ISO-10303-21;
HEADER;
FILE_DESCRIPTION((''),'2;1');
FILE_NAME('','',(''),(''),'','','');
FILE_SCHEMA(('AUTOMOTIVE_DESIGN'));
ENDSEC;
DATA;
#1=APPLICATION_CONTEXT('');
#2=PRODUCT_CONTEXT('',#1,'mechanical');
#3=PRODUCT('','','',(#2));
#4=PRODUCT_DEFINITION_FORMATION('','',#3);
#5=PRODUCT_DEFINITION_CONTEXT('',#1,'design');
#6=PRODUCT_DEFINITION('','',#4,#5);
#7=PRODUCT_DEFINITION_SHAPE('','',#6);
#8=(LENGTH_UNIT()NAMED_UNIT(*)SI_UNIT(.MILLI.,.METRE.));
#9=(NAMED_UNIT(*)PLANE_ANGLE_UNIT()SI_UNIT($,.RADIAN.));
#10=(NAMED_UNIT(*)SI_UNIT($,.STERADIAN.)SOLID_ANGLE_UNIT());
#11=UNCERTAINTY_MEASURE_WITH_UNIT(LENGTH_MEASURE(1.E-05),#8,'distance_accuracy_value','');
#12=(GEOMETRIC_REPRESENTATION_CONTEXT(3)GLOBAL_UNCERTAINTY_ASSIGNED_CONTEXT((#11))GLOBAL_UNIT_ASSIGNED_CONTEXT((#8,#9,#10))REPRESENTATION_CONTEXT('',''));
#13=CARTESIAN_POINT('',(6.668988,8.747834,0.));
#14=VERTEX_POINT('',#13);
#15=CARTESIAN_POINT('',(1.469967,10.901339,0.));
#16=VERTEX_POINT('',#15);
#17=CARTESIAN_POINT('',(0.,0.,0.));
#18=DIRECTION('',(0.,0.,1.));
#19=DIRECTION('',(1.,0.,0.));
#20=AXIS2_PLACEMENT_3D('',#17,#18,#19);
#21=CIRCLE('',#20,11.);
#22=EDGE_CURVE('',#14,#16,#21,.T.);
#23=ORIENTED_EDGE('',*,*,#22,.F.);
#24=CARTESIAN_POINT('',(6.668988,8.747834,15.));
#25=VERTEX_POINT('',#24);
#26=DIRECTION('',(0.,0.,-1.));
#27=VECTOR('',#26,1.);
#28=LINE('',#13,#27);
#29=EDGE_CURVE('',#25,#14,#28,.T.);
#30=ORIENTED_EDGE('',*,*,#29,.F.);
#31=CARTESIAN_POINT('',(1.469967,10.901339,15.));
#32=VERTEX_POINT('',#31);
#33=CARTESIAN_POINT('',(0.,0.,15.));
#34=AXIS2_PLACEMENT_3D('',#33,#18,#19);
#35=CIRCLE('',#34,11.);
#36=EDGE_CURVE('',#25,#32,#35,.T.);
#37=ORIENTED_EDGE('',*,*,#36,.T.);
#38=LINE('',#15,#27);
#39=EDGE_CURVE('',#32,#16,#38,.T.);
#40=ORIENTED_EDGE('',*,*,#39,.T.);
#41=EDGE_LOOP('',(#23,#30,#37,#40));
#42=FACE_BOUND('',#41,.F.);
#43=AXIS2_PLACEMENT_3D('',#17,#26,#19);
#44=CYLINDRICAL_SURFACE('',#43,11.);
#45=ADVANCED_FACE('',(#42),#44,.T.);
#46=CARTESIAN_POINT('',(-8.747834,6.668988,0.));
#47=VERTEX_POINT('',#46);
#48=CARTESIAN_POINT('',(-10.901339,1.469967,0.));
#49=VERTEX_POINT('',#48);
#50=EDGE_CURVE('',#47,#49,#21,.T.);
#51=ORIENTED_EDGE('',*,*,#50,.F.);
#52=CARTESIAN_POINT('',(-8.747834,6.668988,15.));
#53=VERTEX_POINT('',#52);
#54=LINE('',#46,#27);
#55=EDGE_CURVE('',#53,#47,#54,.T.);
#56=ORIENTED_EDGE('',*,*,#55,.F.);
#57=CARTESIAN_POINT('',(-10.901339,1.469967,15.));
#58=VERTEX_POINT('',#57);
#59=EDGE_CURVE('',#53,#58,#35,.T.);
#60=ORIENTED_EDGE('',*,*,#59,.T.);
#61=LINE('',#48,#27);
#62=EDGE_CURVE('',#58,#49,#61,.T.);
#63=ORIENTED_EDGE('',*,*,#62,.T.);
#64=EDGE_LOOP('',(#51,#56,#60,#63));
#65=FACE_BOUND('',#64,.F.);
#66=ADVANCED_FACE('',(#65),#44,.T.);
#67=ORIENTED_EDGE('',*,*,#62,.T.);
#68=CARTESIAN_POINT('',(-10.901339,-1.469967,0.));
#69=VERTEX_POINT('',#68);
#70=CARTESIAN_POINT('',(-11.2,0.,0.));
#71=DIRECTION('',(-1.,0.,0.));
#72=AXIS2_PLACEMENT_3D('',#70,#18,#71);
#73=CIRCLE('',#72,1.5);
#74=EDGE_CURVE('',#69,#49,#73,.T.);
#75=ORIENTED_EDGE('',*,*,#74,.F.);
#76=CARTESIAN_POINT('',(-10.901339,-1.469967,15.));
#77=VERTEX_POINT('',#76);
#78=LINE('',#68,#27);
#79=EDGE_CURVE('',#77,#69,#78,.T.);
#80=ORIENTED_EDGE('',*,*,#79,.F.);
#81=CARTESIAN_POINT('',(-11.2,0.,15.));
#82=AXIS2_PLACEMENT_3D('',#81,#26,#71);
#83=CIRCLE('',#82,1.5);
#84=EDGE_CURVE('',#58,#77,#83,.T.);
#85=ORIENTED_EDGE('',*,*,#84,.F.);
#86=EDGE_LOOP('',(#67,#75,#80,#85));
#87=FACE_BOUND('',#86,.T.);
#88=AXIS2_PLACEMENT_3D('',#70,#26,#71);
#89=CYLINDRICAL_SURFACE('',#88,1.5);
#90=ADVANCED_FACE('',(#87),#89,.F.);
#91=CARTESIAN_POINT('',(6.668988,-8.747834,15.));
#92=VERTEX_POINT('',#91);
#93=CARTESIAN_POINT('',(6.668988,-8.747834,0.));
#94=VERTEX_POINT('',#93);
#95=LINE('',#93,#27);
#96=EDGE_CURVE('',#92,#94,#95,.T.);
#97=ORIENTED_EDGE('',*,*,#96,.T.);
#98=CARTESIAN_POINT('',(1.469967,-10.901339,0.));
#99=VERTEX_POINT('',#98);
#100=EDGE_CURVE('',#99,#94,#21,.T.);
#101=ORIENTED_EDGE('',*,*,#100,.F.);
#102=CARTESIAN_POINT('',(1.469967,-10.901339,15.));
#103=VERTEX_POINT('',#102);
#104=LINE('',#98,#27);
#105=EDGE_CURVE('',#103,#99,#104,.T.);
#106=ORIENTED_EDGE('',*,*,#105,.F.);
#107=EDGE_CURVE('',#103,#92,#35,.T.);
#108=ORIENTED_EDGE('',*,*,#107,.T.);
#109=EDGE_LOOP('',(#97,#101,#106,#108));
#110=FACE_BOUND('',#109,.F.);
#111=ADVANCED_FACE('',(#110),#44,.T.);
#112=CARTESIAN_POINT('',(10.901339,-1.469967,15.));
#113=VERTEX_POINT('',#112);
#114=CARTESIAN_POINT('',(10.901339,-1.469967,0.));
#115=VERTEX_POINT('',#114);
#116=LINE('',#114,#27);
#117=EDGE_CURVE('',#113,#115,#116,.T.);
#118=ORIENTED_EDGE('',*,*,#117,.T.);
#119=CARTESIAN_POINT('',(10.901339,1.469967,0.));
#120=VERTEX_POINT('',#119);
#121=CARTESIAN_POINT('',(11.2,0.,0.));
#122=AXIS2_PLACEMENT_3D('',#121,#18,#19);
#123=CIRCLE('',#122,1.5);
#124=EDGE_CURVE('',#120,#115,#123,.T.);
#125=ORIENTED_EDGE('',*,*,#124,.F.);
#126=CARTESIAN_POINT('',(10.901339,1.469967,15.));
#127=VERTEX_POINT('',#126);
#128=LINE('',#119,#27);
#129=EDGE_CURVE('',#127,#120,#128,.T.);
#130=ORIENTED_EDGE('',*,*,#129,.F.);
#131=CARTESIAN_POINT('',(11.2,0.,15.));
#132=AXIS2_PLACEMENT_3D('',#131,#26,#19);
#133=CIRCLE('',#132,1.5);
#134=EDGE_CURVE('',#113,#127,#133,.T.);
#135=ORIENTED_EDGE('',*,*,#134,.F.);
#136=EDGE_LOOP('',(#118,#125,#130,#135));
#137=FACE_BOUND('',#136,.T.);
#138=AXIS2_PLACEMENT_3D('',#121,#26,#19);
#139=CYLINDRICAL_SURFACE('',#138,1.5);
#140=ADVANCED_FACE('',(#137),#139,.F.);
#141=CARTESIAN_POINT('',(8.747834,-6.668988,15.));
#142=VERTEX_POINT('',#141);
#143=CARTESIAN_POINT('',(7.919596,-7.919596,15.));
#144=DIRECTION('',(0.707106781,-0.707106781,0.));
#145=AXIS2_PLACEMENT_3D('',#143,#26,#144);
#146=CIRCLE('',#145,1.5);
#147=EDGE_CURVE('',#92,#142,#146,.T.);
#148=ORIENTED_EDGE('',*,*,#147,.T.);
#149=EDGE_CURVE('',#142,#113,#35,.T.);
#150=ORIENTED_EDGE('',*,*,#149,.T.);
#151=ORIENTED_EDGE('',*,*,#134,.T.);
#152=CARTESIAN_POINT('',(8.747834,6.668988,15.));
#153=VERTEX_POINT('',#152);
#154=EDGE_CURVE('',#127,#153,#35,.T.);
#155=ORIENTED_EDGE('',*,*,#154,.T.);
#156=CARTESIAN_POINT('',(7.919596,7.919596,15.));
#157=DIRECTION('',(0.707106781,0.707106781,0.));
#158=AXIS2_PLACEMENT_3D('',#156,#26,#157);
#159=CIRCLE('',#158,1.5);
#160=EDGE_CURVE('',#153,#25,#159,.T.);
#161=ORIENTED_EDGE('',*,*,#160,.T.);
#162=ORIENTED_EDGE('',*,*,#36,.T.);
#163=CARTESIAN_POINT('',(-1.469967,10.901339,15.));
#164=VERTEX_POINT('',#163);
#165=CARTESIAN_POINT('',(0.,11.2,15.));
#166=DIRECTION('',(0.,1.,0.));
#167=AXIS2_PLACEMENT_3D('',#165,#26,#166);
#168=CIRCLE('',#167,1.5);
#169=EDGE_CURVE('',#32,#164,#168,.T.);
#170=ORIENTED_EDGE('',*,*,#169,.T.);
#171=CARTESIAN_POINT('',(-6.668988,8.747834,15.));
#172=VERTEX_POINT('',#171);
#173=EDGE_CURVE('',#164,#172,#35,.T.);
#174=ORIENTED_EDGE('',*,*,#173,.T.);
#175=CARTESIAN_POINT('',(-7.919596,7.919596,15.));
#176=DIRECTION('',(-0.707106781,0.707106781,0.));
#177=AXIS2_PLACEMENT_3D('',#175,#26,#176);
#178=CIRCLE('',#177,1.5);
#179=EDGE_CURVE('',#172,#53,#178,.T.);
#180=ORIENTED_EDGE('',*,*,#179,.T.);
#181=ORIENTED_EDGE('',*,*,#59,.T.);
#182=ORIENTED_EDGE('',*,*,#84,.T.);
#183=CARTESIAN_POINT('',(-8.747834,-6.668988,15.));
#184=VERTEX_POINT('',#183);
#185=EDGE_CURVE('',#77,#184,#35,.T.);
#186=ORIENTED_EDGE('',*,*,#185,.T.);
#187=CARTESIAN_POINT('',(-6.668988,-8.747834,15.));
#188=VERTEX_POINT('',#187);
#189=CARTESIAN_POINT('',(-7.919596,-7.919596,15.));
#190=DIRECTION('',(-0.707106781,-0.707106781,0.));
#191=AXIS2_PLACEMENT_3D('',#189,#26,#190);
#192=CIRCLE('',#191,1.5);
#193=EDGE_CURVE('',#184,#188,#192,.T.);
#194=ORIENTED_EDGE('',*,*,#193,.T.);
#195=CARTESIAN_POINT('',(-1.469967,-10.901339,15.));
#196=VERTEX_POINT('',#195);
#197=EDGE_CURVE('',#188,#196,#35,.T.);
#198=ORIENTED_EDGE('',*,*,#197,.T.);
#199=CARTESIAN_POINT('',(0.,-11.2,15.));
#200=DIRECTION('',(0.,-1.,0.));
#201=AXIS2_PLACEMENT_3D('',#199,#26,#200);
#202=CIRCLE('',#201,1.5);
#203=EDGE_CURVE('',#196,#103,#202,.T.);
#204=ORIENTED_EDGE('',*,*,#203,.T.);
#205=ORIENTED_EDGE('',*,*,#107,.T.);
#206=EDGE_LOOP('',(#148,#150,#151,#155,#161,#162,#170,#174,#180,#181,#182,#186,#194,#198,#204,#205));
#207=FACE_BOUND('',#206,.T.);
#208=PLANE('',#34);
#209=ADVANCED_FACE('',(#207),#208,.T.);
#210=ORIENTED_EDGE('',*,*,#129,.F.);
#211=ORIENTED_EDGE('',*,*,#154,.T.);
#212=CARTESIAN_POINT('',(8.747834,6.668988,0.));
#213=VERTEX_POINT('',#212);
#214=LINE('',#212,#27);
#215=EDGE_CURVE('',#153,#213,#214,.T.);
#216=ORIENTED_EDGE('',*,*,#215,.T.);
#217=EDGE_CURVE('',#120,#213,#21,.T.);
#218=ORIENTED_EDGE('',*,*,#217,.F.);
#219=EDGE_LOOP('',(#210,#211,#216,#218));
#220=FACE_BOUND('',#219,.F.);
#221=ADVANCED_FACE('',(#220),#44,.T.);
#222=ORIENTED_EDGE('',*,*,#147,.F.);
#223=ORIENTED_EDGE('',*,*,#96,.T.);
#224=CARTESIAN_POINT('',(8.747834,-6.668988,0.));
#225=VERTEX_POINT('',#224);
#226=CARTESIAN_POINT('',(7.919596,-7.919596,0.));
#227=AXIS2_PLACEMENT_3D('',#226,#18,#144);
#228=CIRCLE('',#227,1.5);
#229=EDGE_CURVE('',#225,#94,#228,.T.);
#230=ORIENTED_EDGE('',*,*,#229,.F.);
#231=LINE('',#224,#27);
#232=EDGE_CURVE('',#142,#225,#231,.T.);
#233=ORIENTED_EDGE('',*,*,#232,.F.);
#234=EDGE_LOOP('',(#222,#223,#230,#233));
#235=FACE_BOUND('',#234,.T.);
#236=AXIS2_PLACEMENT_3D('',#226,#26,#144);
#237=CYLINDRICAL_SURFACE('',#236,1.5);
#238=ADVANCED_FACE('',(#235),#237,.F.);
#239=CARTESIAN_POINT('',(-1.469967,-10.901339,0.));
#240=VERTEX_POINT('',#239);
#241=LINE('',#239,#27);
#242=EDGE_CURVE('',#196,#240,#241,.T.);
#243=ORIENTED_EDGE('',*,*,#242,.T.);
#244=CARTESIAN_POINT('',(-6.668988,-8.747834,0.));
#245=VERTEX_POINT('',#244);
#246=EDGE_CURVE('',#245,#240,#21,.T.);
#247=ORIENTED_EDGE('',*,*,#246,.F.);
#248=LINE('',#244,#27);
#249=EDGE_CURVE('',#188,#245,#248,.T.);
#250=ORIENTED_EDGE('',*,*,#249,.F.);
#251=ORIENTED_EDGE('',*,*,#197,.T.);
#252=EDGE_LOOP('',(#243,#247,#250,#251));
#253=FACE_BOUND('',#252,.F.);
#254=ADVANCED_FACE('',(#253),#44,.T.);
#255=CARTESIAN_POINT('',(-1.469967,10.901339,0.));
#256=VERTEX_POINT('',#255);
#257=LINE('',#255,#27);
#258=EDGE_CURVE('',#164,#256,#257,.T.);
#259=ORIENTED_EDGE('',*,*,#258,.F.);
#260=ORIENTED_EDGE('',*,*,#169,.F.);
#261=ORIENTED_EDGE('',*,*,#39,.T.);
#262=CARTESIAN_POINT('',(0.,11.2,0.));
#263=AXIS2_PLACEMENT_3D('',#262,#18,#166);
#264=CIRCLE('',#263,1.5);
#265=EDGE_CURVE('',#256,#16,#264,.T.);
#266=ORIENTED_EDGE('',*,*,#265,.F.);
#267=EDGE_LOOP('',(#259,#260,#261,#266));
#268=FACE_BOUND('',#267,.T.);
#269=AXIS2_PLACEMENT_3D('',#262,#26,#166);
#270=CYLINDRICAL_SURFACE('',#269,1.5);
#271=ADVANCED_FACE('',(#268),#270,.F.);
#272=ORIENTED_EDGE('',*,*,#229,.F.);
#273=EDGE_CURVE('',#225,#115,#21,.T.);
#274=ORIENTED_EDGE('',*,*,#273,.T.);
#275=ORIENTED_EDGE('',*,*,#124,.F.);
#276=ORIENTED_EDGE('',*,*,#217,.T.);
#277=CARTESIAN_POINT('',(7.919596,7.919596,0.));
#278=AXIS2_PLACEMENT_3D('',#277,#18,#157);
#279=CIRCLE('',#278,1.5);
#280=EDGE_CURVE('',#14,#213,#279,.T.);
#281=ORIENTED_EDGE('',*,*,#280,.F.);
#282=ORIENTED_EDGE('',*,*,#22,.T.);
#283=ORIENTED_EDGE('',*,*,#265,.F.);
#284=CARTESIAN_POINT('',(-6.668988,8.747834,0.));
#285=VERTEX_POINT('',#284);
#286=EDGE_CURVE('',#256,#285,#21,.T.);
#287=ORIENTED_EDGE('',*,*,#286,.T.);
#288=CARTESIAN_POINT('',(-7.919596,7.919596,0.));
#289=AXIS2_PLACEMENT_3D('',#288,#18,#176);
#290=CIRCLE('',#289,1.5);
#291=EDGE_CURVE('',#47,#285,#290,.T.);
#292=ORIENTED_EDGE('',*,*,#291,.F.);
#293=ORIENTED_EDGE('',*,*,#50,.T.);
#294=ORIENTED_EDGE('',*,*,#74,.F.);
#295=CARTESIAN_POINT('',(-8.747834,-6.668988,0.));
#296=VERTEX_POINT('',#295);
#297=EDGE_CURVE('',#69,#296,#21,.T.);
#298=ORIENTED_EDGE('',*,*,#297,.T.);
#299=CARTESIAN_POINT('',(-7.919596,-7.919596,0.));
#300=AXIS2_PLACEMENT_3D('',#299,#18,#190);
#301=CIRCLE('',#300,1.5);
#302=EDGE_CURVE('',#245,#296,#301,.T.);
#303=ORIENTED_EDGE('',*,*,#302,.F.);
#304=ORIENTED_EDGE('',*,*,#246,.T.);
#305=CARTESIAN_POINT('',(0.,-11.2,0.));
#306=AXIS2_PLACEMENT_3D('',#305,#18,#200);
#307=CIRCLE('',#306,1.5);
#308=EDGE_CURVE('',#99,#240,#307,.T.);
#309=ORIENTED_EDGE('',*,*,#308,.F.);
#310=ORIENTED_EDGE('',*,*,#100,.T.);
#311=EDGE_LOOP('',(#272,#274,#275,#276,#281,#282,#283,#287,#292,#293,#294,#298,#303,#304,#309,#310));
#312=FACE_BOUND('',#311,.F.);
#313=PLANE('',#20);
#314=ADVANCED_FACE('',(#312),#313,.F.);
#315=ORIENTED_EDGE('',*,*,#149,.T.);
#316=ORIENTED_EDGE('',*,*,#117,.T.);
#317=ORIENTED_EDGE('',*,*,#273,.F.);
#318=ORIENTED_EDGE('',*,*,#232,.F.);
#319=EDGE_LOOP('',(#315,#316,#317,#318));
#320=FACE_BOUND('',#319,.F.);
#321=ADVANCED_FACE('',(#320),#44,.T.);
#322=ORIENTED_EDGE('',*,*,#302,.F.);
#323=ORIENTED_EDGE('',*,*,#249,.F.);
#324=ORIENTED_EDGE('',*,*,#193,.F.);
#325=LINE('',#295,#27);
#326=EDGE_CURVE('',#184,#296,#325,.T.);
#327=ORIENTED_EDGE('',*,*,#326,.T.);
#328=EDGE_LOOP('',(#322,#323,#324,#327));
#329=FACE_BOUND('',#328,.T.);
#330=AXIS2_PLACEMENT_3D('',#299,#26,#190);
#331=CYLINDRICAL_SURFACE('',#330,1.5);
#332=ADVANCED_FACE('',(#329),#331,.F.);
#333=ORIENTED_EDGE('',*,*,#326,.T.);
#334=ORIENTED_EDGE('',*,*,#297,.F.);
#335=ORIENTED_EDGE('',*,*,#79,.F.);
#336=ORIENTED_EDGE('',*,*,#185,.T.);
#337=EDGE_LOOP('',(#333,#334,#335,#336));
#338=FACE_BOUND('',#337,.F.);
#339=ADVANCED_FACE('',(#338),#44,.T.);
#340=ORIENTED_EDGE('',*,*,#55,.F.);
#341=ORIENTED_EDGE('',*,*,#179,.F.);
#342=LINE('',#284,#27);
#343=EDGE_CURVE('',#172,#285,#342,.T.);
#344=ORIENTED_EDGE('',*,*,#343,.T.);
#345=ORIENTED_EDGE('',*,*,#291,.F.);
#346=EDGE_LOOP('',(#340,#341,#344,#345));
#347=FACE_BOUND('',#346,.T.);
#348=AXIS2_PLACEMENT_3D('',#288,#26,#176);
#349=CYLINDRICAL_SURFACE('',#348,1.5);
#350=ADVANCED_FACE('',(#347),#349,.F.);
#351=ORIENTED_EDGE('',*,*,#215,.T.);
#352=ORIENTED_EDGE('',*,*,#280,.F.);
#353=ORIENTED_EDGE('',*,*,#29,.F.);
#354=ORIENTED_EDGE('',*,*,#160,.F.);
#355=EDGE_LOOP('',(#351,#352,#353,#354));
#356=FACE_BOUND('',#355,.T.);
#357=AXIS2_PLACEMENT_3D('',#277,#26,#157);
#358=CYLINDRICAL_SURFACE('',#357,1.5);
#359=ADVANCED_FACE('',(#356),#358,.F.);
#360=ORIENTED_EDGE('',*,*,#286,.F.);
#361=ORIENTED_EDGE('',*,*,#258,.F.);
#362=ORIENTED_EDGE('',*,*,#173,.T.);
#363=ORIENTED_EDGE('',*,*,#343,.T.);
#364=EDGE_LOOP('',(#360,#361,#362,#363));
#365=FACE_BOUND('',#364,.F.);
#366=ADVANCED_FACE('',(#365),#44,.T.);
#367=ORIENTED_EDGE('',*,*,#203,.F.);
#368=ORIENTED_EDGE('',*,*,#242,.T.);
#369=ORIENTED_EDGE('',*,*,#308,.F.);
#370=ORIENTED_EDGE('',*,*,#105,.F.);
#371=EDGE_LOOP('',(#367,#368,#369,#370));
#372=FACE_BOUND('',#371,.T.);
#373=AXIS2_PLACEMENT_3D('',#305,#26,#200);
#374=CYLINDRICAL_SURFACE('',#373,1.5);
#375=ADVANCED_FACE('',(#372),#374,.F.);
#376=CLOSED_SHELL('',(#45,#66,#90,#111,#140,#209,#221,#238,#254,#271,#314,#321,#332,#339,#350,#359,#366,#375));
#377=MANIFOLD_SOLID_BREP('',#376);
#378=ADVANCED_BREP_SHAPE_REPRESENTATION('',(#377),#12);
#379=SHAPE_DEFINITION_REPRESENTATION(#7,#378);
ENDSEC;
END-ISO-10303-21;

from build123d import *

# Parameters (mm, degrees)
CYLINDER001_R     = 1.5
CYLINDER001_DEPTH = 20
ARRAY_COUNT       = 8
CYLINDER_R        = 11
CYLINDER_DEPTH    = 15


with BuildPart() as array:
    # Cylinder001 → Cylinder001 (new body)
    with BuildSketch(Plane(origin=(11.2, 0, 0), x_dir=(1, 0, 0), z_dir=(0, 0, 1))):
        Circle(CYLINDER001_R)
    extrude(amount=CYLINDER001_DEPTH)

    # Array: Array ×8 about axis
    array_axis = Axis((0, 0, 0), (0, 0, 1))


with BuildPart() as array_1:
    add(array.part)
    for i in range(1, ARRAY_COUNT):
        add(array.part.rotate(array_axis, i * 360 / ARRAY_COUNT))


with BuildPart() as cut:
    # Cylinder → Cylinder (new body)
    with BuildSketch(Plane.XY):
        Circle(CYLINDER_R)
    extrude(amount=CYLINDER_DEPTH)

    # Cut: cut Array
    add(array_1.part, mode=Mode.SUBTRACT)


solid = cut.part
